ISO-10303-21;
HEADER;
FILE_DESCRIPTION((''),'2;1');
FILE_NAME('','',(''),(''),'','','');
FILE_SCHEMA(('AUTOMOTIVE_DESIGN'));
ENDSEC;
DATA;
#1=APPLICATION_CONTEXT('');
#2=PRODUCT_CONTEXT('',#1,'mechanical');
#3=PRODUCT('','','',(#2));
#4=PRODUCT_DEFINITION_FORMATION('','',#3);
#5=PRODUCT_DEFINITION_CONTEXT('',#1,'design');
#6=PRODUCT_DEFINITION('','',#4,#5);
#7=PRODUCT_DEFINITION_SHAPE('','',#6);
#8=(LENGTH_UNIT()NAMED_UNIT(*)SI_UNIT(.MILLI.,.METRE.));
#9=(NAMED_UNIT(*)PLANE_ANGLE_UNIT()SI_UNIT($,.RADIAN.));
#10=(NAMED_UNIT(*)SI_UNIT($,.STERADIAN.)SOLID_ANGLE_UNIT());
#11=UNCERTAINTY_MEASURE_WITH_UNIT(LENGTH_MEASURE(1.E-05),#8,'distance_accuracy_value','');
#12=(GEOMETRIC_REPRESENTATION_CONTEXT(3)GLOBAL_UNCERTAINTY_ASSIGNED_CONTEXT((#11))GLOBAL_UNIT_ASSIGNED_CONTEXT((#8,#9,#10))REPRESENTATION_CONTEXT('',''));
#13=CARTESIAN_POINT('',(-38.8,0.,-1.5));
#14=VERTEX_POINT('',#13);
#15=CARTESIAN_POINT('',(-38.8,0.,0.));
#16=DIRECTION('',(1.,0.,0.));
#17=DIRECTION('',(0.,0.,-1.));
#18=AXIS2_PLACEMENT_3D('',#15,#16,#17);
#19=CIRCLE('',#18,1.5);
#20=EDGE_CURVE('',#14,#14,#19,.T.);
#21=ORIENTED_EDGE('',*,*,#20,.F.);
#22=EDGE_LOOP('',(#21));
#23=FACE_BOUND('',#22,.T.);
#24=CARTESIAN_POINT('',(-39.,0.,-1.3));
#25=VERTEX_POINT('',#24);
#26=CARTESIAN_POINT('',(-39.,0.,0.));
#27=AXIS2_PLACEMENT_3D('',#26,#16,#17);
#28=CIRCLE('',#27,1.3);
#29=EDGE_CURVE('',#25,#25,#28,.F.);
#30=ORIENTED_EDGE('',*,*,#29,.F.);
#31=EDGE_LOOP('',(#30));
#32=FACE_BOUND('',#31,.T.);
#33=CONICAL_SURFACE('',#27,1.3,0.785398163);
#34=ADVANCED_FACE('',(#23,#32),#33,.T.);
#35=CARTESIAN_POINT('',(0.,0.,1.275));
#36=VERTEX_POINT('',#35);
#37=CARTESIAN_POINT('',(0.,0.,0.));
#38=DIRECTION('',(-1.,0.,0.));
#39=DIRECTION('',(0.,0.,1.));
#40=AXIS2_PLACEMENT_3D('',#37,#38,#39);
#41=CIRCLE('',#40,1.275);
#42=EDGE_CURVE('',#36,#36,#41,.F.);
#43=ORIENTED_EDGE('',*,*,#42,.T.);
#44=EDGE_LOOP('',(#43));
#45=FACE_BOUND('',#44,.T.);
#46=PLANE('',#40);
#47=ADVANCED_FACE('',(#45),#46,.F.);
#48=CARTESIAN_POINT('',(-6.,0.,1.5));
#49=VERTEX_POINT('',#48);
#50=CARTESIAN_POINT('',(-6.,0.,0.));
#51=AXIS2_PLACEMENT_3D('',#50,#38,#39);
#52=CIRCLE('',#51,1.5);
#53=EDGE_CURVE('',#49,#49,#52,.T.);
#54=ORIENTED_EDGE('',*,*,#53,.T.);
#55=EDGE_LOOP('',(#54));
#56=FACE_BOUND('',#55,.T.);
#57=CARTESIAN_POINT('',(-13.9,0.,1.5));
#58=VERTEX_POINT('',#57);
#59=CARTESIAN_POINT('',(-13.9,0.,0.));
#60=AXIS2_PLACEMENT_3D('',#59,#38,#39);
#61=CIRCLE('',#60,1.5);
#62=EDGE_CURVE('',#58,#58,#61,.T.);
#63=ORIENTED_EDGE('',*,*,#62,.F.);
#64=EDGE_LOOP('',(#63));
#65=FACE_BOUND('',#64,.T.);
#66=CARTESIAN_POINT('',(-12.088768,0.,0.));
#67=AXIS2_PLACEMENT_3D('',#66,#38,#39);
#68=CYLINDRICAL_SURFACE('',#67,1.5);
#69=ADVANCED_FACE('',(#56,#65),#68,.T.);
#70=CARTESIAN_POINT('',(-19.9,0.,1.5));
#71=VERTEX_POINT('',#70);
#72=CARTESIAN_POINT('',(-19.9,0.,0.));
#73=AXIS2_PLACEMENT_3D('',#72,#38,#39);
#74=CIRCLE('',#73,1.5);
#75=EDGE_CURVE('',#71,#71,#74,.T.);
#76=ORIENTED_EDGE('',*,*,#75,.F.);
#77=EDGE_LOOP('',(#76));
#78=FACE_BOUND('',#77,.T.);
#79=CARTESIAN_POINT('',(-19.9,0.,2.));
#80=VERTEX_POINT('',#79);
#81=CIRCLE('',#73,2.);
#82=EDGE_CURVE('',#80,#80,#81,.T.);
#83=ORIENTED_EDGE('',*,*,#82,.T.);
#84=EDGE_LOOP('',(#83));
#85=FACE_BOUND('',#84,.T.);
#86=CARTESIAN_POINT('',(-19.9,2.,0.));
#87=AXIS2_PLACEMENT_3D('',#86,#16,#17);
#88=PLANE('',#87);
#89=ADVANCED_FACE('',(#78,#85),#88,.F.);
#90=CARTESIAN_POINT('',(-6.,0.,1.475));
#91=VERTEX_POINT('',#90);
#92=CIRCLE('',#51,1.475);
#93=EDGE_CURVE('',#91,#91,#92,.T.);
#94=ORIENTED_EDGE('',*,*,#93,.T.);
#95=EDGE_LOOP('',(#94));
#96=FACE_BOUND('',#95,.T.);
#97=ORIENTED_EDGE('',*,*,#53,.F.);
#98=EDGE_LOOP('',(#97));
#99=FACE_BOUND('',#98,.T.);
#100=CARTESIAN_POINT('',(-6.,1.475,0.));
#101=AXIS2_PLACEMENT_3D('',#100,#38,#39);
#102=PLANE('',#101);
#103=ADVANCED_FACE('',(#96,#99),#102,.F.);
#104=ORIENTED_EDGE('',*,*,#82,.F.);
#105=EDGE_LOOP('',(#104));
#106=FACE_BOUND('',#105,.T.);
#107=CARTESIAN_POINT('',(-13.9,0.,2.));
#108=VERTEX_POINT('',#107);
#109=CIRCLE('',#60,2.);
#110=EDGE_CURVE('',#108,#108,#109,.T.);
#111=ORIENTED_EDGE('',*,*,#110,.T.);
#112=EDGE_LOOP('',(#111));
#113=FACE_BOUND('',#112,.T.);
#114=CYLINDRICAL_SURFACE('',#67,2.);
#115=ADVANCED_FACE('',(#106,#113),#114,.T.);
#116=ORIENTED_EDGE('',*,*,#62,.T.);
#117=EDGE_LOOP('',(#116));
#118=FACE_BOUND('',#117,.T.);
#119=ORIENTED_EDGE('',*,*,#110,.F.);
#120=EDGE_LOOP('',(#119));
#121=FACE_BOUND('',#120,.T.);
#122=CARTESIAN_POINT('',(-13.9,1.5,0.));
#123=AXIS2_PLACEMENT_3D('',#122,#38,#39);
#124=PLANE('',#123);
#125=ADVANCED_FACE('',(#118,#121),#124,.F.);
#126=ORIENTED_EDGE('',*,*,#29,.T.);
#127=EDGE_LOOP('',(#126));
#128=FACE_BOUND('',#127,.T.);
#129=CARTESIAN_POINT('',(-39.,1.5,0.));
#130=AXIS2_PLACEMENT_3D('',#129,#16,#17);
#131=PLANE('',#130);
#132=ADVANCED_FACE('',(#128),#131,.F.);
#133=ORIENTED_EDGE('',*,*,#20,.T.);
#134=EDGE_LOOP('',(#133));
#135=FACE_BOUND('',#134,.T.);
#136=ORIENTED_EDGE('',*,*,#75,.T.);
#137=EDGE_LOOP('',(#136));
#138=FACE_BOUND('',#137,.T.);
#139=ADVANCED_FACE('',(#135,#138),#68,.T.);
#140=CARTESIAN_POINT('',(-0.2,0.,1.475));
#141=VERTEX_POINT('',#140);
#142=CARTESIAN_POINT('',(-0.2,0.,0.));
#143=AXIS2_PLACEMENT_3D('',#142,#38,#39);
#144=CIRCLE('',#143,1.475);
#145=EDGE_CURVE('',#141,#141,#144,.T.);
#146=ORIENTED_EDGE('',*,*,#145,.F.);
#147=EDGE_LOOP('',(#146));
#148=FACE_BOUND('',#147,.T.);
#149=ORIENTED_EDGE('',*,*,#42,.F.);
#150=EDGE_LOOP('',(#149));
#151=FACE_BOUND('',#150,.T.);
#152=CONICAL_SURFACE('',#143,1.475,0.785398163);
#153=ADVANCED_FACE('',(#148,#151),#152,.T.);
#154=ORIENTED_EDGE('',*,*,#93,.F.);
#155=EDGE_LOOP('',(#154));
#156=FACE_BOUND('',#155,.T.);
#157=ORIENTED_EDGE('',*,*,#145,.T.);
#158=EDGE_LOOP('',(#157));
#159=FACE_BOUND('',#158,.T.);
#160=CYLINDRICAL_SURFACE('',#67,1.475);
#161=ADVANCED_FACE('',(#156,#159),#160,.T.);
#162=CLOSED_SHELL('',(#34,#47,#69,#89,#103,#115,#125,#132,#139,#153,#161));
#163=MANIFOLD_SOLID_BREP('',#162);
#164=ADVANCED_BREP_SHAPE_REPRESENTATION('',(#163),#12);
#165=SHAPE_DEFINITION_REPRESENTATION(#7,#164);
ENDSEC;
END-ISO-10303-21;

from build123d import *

# Parameters (mm, degrees)
CHAMFER_1_SIZE = 0.2


with BuildPart() as part:
    # 草图1 → 旋转1 (revolve)
    with BuildSketch(Plane.XY, mode=Mode.PRIVATE) as revolve_1_sk:
        Polygon((0, 0), (0, 1.475), (-6, 1.475), (-6, 1.5), (-13.9, 1.5), (-13.9, 2), (-19.9, 2), (-19.9, 1.5), (-39, 1.5), (-39, 0), align=None)
    revolve(revolve_1_sk.sketch.rotate(Axis((-12.088767593, 0, 0), (1, 0, 0)), 90), axis=Axis((-12.088767593, 0, 0), (1, 0, 0)))

    # 倒角1
    chamfer_1_edges = [part.edges().sort_by_distance(p)[0] for p in [
        (0, 0, -1.475),
        (-39, 0, -1.5),
    ]]
    chamfer(chamfer_1_edges, length=CHAMFER_1_SIZE)


solid = part.part
